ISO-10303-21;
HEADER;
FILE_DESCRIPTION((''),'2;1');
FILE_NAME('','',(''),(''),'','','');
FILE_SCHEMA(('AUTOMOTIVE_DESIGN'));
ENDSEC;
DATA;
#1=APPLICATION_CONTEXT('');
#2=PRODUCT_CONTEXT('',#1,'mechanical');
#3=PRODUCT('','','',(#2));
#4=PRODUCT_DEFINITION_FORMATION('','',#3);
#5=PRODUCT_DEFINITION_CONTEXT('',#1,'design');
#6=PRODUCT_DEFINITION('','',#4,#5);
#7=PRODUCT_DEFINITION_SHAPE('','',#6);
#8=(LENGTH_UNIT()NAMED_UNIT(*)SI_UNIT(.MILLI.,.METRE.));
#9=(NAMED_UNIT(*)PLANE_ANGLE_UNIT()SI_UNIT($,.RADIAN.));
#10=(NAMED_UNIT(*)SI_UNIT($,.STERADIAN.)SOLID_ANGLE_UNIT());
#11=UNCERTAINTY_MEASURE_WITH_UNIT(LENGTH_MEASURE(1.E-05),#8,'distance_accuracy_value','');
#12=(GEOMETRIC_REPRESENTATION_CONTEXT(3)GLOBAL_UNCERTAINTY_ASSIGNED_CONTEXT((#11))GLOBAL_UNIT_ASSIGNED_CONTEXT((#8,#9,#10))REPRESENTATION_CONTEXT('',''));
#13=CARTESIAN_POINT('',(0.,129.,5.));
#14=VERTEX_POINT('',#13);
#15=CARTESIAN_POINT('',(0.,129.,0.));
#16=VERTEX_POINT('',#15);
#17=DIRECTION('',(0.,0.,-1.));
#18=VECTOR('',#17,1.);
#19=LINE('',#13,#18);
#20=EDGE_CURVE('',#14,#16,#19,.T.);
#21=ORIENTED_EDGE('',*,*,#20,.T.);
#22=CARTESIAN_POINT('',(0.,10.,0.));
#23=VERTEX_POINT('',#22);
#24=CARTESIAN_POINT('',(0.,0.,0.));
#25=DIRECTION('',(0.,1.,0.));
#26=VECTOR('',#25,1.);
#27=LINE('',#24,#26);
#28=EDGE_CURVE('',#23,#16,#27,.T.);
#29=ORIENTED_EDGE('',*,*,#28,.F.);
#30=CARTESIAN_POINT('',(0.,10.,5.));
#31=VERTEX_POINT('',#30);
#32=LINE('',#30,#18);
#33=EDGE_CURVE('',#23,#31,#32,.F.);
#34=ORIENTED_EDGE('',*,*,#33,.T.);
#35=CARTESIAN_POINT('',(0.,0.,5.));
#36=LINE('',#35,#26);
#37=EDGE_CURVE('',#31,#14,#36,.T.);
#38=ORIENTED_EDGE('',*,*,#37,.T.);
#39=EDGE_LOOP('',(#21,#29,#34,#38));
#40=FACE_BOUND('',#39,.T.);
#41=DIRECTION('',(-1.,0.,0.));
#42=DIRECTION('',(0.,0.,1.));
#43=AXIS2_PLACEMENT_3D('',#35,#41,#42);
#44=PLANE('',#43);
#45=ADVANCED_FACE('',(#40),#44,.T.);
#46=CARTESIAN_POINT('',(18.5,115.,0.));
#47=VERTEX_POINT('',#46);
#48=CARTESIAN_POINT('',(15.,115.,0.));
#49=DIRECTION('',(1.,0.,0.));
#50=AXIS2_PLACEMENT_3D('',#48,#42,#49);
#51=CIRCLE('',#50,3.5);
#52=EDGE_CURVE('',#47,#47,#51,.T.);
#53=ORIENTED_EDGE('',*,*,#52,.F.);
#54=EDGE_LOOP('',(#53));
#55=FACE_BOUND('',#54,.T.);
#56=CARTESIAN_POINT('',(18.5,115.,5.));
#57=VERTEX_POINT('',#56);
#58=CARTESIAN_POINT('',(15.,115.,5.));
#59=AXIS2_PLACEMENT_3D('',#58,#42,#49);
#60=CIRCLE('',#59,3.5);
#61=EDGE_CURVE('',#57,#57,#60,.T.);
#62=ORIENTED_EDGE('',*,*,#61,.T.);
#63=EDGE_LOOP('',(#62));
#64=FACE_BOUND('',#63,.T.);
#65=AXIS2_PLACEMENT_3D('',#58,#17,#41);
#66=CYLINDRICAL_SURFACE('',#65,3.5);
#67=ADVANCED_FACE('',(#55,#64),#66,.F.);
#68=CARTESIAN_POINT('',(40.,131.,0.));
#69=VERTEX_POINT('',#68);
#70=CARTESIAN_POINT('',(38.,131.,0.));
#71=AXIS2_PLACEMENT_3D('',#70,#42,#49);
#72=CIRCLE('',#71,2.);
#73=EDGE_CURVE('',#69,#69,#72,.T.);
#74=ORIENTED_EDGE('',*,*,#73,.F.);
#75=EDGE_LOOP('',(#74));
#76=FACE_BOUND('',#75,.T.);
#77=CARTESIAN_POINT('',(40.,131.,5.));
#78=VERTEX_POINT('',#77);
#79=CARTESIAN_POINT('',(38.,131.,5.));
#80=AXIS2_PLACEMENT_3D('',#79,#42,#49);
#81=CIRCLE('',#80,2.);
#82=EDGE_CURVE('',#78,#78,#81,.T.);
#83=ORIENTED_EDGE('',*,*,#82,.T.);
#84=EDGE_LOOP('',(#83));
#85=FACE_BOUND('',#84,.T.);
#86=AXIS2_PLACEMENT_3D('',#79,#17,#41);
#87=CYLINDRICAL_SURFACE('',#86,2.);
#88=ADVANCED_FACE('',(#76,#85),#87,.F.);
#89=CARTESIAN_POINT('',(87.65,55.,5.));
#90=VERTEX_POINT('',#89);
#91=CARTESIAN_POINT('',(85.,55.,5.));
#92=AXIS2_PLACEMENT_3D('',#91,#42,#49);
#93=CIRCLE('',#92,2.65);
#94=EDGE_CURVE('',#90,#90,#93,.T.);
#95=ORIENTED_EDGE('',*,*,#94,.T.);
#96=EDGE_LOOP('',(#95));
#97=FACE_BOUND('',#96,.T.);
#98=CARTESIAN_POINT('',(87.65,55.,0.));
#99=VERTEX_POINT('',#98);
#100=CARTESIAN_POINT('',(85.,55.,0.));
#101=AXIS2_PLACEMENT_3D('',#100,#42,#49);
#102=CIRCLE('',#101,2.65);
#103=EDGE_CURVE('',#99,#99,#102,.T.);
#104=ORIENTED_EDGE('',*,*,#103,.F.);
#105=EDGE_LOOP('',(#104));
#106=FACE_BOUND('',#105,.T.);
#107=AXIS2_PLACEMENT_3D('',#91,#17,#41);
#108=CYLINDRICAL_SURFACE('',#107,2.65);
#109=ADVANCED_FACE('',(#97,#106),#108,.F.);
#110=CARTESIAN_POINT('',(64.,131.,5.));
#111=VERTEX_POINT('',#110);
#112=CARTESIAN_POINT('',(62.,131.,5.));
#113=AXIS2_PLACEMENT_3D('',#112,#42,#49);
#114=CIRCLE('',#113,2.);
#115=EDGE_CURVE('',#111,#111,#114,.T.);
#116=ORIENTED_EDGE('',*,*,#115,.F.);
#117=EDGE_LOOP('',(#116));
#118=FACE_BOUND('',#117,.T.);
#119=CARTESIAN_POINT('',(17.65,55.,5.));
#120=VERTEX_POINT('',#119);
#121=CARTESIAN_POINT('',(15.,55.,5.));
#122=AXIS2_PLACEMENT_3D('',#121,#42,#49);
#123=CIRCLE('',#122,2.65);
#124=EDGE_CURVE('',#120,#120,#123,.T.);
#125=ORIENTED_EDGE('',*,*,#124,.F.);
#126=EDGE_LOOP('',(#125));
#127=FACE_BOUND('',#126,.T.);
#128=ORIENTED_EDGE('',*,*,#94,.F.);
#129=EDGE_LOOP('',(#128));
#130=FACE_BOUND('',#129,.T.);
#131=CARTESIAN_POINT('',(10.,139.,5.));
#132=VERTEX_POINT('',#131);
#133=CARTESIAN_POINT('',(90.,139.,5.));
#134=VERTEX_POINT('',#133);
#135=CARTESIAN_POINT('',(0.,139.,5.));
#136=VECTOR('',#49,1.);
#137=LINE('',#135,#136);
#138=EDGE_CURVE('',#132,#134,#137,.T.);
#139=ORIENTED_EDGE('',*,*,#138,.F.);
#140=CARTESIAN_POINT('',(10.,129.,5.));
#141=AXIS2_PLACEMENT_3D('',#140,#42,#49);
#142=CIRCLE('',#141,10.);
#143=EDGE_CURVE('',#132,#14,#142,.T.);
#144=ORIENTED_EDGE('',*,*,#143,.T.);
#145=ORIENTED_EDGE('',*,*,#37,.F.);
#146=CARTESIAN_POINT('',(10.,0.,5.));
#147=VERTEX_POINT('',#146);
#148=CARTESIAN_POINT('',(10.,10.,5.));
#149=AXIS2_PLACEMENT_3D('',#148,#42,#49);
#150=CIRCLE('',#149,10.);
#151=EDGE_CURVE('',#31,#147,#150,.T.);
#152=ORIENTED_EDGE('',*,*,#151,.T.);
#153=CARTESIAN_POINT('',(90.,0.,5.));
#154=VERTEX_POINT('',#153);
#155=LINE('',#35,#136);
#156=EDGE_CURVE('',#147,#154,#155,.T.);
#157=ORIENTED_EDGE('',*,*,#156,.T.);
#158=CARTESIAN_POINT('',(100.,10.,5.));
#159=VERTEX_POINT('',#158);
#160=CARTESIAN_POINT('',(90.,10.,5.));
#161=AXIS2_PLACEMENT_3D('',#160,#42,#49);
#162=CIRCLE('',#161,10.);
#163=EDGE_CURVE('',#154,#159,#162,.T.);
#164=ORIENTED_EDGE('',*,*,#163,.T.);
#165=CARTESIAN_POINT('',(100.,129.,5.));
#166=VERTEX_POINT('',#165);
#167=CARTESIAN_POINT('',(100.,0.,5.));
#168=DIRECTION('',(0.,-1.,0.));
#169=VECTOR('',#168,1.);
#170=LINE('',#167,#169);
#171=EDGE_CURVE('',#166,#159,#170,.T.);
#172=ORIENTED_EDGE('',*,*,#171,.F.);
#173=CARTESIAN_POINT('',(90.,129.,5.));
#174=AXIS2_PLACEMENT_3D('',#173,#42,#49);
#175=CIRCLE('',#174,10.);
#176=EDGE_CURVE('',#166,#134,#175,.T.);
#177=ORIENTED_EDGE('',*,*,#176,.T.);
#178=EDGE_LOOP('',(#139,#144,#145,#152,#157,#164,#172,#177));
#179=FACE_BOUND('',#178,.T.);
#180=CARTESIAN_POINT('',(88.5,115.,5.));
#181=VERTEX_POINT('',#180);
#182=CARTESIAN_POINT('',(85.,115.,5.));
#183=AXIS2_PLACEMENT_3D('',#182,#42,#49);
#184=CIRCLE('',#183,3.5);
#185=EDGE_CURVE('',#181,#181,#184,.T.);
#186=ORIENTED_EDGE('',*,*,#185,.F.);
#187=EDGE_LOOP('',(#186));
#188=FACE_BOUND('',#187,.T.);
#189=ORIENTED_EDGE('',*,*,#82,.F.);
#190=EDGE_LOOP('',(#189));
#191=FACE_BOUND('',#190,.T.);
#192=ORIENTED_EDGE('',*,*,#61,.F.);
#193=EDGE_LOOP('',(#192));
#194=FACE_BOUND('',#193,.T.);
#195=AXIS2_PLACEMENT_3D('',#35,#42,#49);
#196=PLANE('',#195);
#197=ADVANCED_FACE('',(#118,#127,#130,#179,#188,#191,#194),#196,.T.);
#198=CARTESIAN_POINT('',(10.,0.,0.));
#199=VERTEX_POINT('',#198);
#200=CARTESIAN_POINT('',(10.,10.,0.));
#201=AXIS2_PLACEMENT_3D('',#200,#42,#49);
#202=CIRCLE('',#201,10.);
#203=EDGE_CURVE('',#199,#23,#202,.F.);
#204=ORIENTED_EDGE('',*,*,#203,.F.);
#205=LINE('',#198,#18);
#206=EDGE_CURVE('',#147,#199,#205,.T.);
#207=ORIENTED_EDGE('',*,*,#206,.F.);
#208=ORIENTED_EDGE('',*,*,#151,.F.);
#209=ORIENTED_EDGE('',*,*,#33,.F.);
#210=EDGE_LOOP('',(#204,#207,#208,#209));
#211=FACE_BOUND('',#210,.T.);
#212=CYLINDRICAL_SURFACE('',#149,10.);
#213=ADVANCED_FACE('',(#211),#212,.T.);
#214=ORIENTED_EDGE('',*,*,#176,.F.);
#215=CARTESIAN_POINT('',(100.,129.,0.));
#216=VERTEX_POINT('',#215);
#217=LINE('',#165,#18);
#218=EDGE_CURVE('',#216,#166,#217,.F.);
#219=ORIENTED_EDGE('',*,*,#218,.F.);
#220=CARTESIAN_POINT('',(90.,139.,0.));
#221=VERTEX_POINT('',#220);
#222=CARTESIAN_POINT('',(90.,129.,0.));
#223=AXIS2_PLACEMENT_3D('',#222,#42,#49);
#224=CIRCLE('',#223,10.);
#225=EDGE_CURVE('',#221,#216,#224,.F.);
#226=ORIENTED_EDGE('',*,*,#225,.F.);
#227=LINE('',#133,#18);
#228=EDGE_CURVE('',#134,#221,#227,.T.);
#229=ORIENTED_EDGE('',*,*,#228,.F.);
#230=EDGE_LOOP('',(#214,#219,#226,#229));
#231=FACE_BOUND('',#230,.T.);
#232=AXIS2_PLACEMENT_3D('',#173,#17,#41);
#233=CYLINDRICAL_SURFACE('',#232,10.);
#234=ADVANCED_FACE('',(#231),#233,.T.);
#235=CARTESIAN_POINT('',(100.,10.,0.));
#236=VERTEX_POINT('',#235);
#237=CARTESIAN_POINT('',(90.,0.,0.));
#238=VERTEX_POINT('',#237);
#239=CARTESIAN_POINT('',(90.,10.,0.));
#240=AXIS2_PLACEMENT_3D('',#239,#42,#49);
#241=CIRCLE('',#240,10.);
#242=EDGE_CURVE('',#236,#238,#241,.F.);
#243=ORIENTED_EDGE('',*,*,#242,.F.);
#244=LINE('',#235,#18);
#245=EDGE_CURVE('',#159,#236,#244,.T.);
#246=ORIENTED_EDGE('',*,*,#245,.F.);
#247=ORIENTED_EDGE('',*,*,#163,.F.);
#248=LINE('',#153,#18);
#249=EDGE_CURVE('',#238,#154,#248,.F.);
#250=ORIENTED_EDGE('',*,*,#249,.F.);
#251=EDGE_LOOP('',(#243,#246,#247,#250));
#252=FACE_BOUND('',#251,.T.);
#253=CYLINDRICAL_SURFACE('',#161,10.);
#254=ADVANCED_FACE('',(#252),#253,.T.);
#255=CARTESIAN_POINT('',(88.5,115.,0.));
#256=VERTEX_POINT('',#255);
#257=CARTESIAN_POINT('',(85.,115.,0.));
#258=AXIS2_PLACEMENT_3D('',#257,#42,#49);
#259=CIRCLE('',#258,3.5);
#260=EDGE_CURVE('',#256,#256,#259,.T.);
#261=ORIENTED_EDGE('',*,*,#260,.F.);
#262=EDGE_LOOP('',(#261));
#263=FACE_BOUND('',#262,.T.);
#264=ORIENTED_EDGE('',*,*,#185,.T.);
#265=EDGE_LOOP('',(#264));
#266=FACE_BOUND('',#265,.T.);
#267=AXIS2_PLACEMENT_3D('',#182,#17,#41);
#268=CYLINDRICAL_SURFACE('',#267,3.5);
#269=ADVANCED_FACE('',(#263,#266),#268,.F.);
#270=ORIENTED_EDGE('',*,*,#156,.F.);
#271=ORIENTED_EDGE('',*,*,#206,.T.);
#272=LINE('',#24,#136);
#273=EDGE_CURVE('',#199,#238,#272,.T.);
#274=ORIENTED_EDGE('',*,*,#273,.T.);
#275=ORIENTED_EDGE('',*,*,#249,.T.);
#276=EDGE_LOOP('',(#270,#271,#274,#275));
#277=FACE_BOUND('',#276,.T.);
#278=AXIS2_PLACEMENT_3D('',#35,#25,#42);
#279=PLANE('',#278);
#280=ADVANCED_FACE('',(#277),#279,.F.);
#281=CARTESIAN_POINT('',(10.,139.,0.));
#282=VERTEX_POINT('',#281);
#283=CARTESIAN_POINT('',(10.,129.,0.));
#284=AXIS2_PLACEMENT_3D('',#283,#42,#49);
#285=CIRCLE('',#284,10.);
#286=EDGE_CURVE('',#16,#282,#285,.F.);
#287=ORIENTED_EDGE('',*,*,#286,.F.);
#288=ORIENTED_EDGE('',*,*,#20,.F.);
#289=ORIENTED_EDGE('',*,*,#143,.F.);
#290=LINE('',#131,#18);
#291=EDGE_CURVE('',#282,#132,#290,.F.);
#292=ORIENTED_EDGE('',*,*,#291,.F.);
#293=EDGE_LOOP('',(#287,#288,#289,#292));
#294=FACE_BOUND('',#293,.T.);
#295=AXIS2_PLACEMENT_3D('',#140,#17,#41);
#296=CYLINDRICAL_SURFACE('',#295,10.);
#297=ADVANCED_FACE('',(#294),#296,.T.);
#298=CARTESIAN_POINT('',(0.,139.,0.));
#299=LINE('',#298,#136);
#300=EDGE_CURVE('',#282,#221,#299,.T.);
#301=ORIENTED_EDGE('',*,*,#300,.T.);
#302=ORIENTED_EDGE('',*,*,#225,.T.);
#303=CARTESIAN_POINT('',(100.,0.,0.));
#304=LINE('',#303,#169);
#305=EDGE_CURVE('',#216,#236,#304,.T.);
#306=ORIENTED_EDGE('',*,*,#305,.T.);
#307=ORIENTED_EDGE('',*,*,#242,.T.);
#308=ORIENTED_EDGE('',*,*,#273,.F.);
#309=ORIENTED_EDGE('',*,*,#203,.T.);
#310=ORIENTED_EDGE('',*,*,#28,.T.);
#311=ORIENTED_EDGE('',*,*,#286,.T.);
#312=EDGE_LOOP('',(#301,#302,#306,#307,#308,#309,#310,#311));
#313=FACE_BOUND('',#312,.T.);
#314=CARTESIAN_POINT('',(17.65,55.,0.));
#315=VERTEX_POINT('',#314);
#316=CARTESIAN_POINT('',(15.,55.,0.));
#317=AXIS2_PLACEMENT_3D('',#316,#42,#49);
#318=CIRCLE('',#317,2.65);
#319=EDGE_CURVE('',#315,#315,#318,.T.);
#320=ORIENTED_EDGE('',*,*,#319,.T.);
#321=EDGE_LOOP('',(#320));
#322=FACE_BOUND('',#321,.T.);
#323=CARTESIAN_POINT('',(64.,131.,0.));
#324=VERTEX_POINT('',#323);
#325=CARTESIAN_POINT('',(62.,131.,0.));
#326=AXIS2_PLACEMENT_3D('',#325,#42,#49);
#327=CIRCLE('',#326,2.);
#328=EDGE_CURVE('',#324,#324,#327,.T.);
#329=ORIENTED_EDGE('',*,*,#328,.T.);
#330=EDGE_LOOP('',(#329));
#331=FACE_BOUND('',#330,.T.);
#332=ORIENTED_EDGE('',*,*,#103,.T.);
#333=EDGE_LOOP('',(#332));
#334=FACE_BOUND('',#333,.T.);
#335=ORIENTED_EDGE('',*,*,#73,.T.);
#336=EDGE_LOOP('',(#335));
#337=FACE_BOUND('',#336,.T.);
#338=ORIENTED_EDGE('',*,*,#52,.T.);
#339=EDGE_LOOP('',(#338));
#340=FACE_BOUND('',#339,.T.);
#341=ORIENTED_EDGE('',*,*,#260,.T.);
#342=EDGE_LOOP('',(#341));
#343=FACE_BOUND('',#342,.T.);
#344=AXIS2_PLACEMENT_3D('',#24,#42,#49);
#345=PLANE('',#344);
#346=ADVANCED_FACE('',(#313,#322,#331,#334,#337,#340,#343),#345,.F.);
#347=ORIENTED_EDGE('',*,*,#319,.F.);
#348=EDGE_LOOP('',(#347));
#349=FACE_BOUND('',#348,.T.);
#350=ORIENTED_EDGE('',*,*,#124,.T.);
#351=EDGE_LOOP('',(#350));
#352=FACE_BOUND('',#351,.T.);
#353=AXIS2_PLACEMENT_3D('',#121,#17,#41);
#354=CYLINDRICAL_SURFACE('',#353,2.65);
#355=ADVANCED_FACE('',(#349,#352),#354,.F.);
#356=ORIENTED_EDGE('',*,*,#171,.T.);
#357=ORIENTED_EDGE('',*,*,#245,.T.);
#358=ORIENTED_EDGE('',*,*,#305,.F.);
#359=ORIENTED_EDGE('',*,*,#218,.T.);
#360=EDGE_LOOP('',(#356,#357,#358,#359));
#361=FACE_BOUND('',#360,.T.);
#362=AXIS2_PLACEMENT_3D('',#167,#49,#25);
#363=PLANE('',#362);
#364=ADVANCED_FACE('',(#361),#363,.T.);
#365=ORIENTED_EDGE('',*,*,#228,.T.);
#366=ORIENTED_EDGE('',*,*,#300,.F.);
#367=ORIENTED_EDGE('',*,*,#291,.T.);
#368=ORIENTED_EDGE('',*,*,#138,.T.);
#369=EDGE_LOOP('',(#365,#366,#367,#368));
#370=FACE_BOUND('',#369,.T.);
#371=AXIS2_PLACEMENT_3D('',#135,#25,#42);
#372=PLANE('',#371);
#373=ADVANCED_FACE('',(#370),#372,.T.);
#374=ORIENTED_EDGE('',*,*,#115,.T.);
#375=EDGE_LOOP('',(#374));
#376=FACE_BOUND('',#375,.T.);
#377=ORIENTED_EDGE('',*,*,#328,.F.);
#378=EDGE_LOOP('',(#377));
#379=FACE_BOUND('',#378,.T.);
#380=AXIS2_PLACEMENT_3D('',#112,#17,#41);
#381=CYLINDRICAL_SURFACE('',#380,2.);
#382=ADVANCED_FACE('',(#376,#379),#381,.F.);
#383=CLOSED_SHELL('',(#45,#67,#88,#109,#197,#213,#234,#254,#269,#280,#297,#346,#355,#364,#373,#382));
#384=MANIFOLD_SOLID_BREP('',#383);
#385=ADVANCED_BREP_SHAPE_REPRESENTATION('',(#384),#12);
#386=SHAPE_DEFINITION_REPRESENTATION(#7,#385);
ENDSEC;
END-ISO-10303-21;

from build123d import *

# Parameters (mm, degrees)
CROQUIS1_W              = 100
CROQUIS1_H              = 139
CROQUIS1_R              = 2.65
CROQUIS1_R_2            = 3.5
CROQUIS1_R_3            = 2
SALIENTE_EXTRUIR1_DEPTH = 5
REDONDEO3_R             = 10


with BuildPart() as part:
    # Croquis1 → Saliente-Extruir1 (new body)
    with BuildSketch(Plane.XY):
        with Locations((50, 69.5)):
            Rectangle(CROQUIS1_W, CROQUIS1_H)
        with Locations((15, 55)):
            Circle(CROQUIS1_R, mode=Mode.SUBTRACT)
        with Locations((85, 55)):
            Circle(CROQUIS1_R, mode=Mode.SUBTRACT)
        with Locations((15, 115)):
            Circle(CROQUIS1_R_2, mode=Mode.SUBTRACT)
        with Locations((38, 131)):
            Circle(CROQUIS1_R_3, mode=Mode.SUBTRACT)
        with Locations((62, 131)):
            Circle(CROQUIS1_R_3, mode=Mode.SUBTRACT)
        with Locations((85, 115)):
            Circle(CROQUIS1_R_2, mode=Mode.SUBTRACT)
    extrude(amount=SALIENTE_EXTRUIR1_DEPTH)

    # Redondeo3
    redondeo3_edges = [part.edges().sort_by_distance(p)[0] for p in [
        (0, 0, 2.5),
        (100, 0, 2.5),
        (100, 139, 2.5),
        (0, 139, 2.5),
    ]]
    fillet(redondeo3_edges, radius=REDONDEO3_R)


solid = part.part
